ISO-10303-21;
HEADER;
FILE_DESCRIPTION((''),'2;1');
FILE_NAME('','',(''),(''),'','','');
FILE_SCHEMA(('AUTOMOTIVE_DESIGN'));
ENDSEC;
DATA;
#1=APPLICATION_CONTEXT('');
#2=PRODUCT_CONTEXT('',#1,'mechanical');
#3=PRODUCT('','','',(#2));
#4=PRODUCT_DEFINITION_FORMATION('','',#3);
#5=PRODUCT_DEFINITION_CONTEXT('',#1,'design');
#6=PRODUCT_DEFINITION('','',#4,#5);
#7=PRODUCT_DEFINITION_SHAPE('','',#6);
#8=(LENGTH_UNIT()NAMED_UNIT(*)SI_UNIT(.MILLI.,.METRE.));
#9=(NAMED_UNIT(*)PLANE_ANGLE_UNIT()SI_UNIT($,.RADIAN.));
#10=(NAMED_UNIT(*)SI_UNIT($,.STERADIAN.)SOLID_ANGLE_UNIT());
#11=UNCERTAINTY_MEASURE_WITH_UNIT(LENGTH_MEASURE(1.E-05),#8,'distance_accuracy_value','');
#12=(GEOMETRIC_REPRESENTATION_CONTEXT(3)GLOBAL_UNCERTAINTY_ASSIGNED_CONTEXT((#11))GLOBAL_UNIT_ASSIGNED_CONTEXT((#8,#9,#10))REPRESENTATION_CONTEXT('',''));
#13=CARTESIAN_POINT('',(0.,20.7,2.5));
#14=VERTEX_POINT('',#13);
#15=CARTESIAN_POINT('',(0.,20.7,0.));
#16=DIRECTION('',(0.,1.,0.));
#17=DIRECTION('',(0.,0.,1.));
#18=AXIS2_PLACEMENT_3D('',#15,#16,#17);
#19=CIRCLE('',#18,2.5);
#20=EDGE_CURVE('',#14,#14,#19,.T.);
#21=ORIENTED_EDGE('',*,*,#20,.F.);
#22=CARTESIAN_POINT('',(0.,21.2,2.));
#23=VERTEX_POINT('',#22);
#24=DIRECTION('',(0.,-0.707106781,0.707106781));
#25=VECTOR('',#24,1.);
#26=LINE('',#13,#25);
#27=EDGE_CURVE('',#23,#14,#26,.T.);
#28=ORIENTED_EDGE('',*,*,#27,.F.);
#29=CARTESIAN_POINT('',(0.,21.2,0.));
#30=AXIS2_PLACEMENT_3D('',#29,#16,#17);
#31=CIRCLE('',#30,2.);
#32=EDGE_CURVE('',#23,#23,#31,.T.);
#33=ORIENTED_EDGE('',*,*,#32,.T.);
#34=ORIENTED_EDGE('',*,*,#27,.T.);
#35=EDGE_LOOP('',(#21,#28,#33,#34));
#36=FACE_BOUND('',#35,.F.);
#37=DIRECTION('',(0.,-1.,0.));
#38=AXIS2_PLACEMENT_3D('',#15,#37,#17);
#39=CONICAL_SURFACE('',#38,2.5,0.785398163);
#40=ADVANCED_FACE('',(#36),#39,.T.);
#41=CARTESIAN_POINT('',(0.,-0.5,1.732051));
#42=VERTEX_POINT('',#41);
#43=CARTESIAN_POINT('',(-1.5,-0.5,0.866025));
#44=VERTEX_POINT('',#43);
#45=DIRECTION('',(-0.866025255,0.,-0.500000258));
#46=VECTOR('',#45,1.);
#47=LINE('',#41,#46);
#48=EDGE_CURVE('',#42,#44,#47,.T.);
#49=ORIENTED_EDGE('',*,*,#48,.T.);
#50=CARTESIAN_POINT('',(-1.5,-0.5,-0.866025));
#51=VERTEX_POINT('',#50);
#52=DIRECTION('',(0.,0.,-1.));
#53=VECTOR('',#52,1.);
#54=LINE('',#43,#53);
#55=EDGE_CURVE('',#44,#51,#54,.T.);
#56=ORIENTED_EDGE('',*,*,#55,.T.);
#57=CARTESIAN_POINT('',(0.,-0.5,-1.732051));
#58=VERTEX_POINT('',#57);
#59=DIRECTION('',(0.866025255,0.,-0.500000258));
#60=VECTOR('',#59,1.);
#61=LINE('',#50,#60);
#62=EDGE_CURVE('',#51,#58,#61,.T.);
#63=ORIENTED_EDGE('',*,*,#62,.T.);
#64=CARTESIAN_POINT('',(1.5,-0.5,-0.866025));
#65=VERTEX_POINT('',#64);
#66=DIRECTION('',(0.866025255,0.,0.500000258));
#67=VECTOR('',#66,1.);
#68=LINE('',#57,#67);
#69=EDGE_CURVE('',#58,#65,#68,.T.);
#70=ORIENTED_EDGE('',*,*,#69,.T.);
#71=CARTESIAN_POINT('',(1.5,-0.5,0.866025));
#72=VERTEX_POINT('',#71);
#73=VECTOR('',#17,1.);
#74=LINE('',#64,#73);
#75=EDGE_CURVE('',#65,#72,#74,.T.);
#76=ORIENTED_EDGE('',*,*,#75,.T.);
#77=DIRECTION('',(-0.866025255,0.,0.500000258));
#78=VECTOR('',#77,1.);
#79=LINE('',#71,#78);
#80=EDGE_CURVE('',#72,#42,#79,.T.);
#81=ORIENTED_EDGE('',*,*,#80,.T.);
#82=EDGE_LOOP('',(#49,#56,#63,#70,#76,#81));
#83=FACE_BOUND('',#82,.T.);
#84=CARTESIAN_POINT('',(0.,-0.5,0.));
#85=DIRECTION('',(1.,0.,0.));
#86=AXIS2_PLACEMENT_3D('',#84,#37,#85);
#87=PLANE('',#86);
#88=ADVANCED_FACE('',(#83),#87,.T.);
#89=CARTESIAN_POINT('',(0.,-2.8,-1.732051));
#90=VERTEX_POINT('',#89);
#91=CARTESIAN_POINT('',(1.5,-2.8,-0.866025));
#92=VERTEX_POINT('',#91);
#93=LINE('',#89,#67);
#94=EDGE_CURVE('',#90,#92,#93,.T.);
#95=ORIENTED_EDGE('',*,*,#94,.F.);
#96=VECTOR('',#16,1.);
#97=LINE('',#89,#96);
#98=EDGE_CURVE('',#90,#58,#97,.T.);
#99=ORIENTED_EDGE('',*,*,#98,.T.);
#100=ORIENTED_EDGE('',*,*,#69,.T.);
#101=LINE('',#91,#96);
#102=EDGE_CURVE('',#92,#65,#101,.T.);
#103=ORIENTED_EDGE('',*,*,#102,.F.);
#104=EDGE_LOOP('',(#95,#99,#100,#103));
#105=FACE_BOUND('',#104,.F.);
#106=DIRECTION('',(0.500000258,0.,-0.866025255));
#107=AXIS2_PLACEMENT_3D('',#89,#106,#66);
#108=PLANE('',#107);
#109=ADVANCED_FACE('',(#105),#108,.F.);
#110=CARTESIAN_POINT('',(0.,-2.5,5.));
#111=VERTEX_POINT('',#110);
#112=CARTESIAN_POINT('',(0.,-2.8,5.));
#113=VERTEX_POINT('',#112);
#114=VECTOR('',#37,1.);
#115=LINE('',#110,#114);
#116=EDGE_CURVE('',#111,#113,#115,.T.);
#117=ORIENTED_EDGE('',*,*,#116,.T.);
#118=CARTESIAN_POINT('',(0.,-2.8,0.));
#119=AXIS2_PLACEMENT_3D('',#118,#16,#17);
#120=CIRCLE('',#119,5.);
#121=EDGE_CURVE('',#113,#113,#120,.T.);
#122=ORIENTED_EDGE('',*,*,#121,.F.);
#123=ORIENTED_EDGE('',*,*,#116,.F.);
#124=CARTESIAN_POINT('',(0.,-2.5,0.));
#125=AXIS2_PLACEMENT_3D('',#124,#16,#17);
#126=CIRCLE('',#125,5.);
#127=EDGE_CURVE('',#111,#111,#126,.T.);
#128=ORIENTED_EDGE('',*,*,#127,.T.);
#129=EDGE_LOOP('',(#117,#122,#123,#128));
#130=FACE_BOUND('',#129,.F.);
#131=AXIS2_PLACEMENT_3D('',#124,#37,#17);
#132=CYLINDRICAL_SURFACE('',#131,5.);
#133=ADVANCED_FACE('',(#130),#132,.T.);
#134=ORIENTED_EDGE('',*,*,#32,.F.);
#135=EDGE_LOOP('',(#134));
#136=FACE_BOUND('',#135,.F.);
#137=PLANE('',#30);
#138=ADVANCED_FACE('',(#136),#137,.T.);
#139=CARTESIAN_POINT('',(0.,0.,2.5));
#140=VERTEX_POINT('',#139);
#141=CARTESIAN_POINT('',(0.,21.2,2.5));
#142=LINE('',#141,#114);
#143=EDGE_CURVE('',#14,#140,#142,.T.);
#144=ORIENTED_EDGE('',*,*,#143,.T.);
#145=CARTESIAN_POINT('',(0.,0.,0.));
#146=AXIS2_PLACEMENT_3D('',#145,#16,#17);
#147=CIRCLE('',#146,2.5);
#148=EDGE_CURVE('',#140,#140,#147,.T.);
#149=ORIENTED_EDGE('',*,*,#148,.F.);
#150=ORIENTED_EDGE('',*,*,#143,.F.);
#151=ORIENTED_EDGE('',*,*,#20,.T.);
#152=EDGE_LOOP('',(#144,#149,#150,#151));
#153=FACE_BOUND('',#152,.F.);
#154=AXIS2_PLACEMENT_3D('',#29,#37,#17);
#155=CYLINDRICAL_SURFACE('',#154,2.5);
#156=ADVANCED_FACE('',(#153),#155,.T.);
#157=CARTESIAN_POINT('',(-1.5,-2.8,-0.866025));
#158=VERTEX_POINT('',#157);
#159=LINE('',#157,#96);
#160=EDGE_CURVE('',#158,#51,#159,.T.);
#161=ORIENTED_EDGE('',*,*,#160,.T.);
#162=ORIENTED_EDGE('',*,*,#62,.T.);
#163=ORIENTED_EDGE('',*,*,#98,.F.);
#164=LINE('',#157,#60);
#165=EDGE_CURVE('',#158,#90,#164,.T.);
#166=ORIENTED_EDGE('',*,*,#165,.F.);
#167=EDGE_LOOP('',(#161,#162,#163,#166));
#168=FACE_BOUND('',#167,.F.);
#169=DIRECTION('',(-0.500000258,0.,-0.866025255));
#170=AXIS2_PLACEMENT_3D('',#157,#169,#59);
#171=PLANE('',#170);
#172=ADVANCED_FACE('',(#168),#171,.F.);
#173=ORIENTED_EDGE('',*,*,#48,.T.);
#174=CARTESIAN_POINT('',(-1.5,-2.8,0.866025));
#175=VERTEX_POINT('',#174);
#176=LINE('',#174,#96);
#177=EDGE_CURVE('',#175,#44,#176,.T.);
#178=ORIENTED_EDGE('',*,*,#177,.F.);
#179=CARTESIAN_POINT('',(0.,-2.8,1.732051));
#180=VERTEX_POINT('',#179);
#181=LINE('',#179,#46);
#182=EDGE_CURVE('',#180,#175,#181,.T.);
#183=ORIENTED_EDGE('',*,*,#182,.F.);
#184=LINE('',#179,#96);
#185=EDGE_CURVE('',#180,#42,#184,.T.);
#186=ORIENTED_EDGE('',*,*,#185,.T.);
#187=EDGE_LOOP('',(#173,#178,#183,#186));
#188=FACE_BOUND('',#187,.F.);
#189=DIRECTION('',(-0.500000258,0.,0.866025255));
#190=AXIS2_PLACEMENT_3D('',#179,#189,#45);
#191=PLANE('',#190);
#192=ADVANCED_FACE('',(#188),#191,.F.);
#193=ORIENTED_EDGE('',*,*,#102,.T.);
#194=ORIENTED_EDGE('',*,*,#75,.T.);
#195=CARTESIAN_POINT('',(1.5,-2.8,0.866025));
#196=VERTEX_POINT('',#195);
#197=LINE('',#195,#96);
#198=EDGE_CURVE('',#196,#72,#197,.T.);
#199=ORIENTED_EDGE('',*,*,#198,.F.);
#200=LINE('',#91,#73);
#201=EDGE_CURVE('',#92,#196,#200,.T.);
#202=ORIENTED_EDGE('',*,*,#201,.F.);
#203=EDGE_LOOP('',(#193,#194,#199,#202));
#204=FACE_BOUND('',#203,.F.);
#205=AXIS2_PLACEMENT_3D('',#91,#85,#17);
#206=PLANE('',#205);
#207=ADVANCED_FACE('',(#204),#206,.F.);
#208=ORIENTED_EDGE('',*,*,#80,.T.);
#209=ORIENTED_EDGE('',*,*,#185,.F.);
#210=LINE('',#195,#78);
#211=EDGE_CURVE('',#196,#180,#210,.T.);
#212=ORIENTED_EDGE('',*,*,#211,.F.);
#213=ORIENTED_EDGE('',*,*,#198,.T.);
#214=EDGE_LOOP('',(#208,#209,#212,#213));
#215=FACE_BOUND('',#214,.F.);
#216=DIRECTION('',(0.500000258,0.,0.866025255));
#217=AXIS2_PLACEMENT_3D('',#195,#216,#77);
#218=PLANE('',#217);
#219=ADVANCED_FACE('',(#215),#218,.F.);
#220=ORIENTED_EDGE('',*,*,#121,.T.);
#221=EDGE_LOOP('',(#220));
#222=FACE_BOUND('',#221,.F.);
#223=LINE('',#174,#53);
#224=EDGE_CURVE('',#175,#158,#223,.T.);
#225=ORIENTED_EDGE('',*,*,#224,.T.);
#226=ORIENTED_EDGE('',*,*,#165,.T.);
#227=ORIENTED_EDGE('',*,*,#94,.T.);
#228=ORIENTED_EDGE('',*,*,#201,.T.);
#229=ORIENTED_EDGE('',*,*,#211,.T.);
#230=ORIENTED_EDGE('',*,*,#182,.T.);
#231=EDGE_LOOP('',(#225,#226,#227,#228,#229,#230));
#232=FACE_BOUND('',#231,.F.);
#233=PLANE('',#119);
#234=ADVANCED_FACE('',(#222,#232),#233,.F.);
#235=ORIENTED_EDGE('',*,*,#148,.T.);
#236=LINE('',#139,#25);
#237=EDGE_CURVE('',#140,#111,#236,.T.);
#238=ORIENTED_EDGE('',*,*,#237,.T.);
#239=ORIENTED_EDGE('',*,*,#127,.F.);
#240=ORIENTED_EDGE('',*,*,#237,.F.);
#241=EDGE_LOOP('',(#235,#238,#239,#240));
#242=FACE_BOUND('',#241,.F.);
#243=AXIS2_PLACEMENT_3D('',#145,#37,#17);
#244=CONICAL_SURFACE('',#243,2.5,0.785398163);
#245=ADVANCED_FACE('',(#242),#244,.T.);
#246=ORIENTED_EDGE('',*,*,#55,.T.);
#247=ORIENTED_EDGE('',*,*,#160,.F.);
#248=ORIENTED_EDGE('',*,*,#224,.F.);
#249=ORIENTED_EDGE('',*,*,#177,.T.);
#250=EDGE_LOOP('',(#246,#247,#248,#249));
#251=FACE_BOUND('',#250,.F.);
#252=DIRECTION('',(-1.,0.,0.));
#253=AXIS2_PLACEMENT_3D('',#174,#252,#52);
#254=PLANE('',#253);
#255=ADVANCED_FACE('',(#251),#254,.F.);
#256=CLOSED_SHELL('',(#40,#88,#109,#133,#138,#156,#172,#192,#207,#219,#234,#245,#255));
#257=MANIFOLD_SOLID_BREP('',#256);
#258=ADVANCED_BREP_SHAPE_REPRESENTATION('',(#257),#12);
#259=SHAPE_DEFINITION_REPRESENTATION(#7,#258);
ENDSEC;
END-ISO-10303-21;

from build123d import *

# Parameters (mm, degrees)
F2_SIZE  = 0.5
F4_DEPTH = 2.3


with BuildPart() as f1:
    # F0 (on Right) → F1 (revolve)
    with BuildSketch(Plane.YZ):
        Polygon((-2.8, 5), (-2.8, 0), (21.2, 0), (21.2, 2.5), (0, 2.5), (-2.5, 5), align=None)
    revolve(axis=Axis((0, 9.2, 0), (0, 1, 0)))

    # F2
    f2_edges = [f1.edges().sort_by_distance(p)[0] for p in [
        (0, 21.2, -2.5),
    ]]
    chamfer(f2_edges, length=F2_SIZE)

    # F3 (on face) → F4 (cut)
    with BuildSketch(Plane.XZ.offset(2.8)):
        Polygon((0, -1.732051), (1.5, -0.866025), (1.5, 0.866025), (0, 1.732051), (-1.5, 0.866025), (-1.5, -0.866025), align=None)
    extrude(amount=-F4_DEPTH, mode=Mode.SUBTRACT)


solid = f1.part
